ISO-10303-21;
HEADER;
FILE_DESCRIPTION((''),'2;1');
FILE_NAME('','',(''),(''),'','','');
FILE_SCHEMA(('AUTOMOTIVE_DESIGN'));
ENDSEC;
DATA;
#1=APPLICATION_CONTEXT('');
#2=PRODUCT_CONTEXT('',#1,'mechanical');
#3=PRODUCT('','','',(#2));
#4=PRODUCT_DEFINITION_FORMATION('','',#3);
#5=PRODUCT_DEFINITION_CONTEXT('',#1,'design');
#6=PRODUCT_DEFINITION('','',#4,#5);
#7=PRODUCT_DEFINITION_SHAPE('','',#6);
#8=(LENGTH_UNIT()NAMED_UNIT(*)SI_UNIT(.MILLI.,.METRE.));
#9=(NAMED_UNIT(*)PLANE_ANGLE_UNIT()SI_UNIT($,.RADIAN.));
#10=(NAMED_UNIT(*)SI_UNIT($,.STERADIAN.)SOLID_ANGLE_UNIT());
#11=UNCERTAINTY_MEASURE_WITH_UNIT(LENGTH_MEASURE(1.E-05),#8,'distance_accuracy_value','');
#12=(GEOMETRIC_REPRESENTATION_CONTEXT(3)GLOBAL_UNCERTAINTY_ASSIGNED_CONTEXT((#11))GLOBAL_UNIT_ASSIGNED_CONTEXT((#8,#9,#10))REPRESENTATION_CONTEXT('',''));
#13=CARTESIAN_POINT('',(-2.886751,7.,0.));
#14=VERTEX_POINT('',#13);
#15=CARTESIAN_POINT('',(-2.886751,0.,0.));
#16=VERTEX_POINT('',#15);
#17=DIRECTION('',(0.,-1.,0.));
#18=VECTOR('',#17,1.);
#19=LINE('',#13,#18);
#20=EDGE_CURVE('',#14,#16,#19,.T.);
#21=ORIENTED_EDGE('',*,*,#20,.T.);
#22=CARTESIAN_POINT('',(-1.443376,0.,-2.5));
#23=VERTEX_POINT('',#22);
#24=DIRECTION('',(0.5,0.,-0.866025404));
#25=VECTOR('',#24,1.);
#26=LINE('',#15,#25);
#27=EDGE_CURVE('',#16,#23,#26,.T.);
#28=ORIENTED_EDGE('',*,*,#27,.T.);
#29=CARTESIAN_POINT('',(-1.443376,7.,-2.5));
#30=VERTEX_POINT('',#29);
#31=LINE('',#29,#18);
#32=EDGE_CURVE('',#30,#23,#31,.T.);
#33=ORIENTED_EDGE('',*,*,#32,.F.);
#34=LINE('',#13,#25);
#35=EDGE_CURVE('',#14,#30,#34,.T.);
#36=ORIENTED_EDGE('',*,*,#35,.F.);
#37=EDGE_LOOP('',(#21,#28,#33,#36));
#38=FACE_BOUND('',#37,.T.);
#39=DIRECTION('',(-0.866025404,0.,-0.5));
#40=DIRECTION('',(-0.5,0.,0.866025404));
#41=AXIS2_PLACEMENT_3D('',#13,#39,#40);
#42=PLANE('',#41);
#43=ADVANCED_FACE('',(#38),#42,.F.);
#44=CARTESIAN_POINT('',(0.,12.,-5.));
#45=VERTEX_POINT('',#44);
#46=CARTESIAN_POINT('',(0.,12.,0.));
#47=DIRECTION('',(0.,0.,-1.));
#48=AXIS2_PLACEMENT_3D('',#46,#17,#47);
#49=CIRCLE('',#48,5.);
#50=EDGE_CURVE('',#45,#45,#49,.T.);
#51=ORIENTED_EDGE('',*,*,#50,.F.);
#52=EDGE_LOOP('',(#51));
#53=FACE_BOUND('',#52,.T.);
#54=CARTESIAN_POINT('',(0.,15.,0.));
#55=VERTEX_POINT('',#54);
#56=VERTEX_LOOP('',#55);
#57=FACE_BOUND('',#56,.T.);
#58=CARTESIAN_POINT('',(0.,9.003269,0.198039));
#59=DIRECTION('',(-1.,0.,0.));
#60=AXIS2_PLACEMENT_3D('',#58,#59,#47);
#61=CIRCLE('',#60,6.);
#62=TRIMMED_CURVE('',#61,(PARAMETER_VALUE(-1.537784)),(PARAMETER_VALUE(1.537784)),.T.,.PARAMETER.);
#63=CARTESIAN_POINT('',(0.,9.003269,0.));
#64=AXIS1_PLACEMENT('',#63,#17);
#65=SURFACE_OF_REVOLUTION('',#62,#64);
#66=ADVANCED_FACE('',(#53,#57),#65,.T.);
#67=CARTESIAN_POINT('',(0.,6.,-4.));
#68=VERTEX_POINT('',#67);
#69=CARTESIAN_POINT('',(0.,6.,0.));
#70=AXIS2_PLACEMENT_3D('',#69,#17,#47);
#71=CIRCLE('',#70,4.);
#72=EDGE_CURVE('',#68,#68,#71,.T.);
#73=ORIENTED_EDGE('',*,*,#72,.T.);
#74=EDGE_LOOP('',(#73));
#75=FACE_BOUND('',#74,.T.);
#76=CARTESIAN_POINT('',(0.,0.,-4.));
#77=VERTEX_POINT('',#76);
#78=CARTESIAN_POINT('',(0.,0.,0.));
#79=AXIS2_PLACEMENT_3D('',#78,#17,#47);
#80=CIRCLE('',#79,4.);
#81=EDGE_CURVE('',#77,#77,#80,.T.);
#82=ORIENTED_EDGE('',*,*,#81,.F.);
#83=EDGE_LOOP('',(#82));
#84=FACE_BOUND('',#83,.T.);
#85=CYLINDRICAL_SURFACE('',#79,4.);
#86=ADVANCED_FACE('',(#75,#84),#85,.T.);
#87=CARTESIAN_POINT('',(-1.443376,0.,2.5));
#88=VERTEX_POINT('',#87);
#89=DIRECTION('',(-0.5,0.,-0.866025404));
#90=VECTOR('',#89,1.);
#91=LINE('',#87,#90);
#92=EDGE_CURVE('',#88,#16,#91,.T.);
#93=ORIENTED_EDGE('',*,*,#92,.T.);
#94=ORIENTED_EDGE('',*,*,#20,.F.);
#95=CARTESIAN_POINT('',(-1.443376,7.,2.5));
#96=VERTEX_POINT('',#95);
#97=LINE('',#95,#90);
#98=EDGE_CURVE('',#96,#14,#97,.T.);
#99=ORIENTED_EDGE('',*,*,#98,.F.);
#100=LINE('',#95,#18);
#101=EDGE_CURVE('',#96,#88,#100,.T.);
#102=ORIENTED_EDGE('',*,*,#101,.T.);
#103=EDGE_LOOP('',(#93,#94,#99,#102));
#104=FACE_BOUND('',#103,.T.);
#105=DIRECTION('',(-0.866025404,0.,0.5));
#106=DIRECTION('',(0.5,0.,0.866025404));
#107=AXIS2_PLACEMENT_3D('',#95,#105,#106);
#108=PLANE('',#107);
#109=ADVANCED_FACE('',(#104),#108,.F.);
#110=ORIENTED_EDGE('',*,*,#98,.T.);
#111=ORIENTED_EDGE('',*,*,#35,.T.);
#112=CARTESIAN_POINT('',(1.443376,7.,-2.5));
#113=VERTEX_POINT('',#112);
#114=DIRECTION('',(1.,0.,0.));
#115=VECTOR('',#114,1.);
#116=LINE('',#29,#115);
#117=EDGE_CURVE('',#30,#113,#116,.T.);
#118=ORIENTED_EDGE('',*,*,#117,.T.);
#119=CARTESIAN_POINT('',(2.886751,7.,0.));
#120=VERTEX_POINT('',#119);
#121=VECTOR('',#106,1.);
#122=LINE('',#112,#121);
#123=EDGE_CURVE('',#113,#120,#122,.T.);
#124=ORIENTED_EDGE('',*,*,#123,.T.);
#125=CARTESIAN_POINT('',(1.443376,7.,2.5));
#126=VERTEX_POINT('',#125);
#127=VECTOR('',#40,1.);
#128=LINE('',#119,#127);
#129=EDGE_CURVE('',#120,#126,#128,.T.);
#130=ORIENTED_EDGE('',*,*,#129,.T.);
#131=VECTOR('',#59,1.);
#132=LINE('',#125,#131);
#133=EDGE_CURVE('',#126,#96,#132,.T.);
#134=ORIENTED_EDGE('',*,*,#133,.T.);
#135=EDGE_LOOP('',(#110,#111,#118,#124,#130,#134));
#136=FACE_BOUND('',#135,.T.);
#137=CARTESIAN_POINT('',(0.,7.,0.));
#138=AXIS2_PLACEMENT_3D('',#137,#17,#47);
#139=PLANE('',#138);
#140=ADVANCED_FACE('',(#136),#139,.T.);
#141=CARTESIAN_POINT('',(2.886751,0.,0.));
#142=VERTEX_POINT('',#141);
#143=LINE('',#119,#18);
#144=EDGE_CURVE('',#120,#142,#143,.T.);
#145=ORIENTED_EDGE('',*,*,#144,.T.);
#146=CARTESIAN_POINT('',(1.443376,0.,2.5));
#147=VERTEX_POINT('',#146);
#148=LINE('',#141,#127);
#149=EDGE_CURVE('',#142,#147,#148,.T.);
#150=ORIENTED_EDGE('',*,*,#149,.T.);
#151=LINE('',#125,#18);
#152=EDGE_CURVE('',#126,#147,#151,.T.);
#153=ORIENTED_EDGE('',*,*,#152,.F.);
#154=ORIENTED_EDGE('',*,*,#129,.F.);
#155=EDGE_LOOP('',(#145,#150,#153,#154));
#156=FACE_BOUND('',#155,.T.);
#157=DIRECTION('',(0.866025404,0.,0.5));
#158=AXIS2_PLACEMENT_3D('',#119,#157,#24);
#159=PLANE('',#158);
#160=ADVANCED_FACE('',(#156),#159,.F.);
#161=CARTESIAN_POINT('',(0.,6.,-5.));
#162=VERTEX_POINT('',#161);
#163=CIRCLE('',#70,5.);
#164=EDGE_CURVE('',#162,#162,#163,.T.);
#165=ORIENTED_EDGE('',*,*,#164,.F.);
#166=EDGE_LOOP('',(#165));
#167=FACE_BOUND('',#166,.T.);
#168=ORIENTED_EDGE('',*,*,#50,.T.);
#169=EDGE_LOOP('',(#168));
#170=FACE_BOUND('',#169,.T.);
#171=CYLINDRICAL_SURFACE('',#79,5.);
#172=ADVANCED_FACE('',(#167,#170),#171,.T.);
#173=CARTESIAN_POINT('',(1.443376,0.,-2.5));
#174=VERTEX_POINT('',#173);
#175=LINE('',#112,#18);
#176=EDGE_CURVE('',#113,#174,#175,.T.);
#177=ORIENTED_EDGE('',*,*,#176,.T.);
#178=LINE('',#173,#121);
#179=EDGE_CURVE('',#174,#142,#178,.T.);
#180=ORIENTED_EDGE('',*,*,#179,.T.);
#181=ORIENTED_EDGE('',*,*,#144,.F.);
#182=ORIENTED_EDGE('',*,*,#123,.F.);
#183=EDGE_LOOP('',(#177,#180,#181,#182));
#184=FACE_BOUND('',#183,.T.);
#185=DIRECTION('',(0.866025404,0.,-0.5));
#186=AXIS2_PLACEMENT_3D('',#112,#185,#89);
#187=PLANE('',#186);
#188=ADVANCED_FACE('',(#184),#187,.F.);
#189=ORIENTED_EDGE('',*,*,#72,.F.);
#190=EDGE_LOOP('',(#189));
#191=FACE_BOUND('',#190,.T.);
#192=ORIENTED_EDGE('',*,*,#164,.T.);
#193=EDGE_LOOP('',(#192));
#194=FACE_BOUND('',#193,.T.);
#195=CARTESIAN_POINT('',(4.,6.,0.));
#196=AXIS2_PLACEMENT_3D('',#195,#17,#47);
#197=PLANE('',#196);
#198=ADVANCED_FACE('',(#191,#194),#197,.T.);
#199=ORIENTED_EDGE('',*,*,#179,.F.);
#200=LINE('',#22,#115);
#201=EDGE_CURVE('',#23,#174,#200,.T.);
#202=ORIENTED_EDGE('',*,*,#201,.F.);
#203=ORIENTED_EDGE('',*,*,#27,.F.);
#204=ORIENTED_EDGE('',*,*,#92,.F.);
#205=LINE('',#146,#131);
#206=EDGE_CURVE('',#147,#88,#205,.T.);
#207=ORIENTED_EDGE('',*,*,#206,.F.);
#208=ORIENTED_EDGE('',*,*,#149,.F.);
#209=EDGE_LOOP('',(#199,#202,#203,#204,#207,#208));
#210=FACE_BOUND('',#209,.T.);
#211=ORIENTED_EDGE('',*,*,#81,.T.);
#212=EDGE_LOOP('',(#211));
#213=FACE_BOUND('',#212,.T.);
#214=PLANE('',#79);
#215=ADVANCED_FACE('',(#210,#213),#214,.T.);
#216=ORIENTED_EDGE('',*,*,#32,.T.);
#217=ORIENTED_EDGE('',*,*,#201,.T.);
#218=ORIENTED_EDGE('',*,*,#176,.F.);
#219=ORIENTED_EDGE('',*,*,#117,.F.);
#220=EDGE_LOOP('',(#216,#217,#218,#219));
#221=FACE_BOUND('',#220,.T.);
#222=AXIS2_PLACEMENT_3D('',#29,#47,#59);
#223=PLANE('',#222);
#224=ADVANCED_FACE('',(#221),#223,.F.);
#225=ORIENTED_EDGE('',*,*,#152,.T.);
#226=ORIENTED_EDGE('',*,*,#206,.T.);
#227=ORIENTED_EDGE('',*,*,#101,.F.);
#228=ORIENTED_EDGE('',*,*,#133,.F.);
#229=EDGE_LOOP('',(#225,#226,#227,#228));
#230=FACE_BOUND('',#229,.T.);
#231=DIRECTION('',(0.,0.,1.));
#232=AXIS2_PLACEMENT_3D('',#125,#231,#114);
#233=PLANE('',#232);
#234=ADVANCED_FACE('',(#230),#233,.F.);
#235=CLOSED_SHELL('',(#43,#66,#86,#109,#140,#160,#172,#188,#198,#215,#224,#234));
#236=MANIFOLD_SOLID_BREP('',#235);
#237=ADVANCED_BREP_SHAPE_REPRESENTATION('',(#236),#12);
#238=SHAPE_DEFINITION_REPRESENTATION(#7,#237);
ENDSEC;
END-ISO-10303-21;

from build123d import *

# Parameters (mm, degrees)
CUT_EXTRUDE1_DEPTH = 7


with BuildPart() as part:
    # Sketch1 → Revolve1 (revolve)
    with BuildSketch(Plane.XY, mode=Mode.PRIVATE) as revolve1_sk:
        with BuildLine():
            Line((0, 0), (0, 15))
            ThreePointArc((0, 15), (2.888936029, 14.148226716), (5, 12))
            Line((5, 12), (5, 6))
            Line((5, 6), (4, 6))
            Line((4, 6), (4, 0))
            Line((4, 0), (0, 0))
        make_face()
    revolve(revolve1_sk.sketch.rotate(Axis((0, 0, 0), (0, 1, 0)), 90), axis=Axis((0, 0, 0), (0, 1, 0)))

    # Sketch2 → Cut-Extrude1 (cut)
    with BuildSketch(Plane.XZ):
        Polygon((2.886751346, 0), (1.443375673, 2.5), (-1.443375673, 2.5), (-2.886751346, 0), (-1.443375673, -2.5), (1.443375673, -2.5), align=None)
    extrude(amount=-CUT_EXTRUDE1_DEPTH, mode=Mode.SUBTRACT)


solid = part.part
